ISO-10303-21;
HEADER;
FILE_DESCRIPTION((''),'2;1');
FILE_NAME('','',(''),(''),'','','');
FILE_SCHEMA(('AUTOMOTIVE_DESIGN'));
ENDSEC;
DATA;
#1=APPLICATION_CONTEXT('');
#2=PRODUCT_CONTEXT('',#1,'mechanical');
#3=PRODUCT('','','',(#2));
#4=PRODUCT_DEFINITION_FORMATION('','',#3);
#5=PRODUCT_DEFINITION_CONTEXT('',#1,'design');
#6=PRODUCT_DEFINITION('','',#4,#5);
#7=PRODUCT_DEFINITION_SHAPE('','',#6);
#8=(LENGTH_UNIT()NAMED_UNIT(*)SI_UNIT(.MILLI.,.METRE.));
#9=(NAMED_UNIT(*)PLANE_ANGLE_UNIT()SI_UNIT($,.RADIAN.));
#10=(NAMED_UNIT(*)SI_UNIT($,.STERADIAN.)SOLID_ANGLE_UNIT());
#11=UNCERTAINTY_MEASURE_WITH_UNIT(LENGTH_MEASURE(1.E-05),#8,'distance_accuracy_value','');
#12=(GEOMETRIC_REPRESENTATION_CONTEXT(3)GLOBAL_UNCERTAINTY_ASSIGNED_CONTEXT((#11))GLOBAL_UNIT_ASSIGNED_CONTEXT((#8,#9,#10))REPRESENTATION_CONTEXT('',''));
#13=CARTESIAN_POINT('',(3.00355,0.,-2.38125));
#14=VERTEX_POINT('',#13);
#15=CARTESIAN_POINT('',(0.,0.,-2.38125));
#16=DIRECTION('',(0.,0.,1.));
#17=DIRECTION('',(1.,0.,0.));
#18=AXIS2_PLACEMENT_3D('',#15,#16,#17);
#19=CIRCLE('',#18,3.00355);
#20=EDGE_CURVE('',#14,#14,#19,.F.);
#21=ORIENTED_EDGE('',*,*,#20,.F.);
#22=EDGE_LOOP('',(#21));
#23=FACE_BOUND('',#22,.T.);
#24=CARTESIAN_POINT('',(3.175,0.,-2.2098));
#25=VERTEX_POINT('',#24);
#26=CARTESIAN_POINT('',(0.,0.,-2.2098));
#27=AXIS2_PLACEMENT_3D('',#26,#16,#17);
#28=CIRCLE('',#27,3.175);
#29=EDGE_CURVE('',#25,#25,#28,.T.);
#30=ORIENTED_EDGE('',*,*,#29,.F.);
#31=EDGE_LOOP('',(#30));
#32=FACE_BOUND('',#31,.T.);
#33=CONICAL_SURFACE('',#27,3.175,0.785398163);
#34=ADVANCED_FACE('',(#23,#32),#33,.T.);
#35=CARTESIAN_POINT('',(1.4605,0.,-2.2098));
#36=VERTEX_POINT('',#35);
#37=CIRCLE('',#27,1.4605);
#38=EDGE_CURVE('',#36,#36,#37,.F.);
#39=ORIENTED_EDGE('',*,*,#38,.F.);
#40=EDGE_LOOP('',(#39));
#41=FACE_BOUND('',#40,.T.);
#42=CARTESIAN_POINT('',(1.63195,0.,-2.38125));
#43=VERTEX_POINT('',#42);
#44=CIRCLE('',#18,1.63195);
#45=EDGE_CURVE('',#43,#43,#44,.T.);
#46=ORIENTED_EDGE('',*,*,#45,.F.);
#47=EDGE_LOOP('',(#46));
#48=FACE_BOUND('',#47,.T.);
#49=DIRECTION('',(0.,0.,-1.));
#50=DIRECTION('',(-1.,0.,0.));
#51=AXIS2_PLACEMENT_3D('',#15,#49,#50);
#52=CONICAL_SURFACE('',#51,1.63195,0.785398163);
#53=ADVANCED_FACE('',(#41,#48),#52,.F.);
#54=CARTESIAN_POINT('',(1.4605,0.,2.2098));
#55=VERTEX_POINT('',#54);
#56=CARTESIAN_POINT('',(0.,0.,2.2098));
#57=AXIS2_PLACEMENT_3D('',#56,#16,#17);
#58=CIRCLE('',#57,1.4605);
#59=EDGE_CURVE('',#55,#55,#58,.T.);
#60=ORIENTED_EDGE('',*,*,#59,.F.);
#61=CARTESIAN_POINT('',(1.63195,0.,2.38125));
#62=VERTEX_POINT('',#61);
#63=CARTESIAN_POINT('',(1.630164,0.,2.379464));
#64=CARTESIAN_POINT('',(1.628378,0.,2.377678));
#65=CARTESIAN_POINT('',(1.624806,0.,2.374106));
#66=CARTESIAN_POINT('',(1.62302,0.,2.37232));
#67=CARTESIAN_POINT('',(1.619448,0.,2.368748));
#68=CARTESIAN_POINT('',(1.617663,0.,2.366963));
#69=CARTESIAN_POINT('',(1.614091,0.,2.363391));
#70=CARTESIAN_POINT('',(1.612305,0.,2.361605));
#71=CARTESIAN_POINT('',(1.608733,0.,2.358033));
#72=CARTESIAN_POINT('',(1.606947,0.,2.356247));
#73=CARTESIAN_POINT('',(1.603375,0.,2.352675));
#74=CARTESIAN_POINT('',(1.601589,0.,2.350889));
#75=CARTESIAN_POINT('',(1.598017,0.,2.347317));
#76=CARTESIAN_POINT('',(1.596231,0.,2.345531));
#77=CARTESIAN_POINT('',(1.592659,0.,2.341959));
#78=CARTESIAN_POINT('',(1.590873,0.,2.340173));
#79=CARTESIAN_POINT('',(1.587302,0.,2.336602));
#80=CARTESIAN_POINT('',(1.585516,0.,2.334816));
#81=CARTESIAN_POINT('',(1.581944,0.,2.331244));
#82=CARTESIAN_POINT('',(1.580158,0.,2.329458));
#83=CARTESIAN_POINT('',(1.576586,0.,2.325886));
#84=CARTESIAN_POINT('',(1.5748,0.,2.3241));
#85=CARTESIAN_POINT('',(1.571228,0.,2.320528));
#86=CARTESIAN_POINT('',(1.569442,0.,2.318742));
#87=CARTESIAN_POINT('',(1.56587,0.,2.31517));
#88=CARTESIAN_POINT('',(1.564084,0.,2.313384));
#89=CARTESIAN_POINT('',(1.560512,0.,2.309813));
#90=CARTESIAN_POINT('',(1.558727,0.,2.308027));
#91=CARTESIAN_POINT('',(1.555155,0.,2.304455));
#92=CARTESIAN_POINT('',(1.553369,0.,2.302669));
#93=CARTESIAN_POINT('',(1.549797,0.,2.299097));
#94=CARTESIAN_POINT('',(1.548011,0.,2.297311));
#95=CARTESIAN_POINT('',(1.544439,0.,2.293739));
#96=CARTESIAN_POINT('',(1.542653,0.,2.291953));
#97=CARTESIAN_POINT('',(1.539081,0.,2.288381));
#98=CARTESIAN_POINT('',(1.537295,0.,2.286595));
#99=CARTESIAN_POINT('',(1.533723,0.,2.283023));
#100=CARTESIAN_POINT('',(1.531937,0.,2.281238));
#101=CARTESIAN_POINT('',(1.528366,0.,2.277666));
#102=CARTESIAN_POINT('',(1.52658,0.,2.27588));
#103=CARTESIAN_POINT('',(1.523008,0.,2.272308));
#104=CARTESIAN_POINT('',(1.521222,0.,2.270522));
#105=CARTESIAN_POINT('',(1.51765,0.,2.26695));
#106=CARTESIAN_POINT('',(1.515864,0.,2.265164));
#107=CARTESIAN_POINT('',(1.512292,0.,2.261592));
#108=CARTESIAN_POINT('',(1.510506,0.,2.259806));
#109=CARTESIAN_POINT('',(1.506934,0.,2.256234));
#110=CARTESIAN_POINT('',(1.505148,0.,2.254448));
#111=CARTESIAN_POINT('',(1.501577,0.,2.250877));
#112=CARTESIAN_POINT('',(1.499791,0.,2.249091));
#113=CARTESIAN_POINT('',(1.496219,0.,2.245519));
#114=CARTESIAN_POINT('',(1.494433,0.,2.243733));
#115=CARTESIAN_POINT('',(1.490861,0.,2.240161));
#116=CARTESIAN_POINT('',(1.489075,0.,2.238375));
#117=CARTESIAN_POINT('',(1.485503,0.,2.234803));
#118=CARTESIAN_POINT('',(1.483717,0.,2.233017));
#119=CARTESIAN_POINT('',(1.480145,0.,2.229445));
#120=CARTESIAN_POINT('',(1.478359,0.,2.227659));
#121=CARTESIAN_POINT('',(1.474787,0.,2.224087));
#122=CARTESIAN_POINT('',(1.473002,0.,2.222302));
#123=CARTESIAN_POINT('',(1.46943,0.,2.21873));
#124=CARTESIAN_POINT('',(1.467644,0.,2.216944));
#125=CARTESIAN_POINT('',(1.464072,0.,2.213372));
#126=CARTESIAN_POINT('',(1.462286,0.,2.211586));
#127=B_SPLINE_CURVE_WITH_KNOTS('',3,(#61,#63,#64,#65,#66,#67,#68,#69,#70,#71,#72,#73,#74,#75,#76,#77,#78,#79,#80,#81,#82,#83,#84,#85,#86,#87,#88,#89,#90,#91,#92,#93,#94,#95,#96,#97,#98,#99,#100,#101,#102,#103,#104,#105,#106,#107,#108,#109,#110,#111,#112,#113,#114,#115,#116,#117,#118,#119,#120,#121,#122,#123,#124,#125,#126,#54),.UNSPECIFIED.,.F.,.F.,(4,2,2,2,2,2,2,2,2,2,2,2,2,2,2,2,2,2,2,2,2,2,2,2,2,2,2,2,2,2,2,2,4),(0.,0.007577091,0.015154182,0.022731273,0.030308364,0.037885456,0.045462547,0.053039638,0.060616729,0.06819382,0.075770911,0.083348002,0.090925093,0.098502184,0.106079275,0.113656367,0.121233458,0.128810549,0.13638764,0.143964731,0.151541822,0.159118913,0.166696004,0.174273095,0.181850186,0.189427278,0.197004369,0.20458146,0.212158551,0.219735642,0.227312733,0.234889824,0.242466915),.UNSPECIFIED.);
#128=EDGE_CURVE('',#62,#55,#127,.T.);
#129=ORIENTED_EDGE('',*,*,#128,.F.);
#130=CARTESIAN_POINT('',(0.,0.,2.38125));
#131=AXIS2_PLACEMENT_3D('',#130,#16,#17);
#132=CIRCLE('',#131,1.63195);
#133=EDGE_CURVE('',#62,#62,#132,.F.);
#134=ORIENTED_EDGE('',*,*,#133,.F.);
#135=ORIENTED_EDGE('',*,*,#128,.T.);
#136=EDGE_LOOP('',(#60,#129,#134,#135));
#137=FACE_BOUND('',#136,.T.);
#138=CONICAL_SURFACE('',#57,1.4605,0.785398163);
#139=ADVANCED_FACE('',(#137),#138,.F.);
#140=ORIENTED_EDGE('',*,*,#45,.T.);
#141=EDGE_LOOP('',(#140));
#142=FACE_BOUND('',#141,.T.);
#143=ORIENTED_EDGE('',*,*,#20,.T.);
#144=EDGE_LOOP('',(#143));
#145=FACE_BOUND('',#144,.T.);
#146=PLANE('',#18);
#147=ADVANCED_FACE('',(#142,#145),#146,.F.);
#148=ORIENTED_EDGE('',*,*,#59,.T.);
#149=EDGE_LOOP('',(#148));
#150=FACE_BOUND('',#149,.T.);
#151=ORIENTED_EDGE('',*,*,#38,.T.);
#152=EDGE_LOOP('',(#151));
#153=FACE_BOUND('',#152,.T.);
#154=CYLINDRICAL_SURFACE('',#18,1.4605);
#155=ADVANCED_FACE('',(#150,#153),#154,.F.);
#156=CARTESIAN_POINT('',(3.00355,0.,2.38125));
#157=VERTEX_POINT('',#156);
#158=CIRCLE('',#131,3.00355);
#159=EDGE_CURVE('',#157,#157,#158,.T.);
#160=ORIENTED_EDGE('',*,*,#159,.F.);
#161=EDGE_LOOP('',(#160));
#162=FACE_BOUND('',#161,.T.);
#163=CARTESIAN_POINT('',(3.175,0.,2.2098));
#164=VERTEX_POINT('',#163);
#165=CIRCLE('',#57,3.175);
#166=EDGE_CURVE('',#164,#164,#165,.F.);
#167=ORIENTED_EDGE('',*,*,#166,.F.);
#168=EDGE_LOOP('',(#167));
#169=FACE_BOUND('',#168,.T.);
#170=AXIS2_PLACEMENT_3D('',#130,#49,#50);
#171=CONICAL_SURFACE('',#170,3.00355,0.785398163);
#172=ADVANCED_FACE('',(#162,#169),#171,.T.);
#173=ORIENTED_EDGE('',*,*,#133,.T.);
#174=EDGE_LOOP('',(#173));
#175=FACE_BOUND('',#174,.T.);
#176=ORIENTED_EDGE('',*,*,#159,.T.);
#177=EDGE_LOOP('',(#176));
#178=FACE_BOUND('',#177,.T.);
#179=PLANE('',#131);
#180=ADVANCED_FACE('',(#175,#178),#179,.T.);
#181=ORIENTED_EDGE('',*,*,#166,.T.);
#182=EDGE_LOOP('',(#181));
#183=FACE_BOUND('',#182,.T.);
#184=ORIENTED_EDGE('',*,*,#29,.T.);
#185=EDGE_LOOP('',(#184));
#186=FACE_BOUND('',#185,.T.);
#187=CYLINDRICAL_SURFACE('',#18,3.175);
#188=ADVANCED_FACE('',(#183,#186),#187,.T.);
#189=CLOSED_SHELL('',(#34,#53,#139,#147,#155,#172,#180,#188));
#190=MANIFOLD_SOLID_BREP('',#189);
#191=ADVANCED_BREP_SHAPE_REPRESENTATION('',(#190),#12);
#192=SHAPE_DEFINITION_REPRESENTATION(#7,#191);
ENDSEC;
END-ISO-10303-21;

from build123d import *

# Parameters (mm, degrees)
BOSS_EXTRUDE1_DEPTH      = 2.38125
BOSS_EXTRUDE1_DEPTH_BACK = 2.38125
SKETCH3_R                = 3.175
SKETCH3_R_2              = 1.4605
CHAMFER1_SIZE            = 0.17145


with BuildPart() as part:
    # Sketch3 → Boss-Extrude1 (new, two sides: drawn at the far end of the back side and taken through both)
    with BuildSketch(Plane.XY.offset(-BOSS_EXTRUDE1_DEPTH_BACK)):
        Circle(SKETCH3_R)
        Circle(SKETCH3_R_2, mode=Mode.SUBTRACT)
    extrude(amount=BOSS_EXTRUDE1_DEPTH + BOSS_EXTRUDE1_DEPTH_BACK)

    # Chamfer1
    chamfer1_edges = [part.edges().sort_by_distance(p)[0] for p in [
        (-3.175, 0, -2.38125),
        (-1.4605, 0, -2.38125),
        (-3.175, 0, 2.38125),
        (-1.4605, 0, 2.38125),
    ]]
    chamfer(chamfer1_edges, length=CHAMFER1_SIZE)


solid = part.part
